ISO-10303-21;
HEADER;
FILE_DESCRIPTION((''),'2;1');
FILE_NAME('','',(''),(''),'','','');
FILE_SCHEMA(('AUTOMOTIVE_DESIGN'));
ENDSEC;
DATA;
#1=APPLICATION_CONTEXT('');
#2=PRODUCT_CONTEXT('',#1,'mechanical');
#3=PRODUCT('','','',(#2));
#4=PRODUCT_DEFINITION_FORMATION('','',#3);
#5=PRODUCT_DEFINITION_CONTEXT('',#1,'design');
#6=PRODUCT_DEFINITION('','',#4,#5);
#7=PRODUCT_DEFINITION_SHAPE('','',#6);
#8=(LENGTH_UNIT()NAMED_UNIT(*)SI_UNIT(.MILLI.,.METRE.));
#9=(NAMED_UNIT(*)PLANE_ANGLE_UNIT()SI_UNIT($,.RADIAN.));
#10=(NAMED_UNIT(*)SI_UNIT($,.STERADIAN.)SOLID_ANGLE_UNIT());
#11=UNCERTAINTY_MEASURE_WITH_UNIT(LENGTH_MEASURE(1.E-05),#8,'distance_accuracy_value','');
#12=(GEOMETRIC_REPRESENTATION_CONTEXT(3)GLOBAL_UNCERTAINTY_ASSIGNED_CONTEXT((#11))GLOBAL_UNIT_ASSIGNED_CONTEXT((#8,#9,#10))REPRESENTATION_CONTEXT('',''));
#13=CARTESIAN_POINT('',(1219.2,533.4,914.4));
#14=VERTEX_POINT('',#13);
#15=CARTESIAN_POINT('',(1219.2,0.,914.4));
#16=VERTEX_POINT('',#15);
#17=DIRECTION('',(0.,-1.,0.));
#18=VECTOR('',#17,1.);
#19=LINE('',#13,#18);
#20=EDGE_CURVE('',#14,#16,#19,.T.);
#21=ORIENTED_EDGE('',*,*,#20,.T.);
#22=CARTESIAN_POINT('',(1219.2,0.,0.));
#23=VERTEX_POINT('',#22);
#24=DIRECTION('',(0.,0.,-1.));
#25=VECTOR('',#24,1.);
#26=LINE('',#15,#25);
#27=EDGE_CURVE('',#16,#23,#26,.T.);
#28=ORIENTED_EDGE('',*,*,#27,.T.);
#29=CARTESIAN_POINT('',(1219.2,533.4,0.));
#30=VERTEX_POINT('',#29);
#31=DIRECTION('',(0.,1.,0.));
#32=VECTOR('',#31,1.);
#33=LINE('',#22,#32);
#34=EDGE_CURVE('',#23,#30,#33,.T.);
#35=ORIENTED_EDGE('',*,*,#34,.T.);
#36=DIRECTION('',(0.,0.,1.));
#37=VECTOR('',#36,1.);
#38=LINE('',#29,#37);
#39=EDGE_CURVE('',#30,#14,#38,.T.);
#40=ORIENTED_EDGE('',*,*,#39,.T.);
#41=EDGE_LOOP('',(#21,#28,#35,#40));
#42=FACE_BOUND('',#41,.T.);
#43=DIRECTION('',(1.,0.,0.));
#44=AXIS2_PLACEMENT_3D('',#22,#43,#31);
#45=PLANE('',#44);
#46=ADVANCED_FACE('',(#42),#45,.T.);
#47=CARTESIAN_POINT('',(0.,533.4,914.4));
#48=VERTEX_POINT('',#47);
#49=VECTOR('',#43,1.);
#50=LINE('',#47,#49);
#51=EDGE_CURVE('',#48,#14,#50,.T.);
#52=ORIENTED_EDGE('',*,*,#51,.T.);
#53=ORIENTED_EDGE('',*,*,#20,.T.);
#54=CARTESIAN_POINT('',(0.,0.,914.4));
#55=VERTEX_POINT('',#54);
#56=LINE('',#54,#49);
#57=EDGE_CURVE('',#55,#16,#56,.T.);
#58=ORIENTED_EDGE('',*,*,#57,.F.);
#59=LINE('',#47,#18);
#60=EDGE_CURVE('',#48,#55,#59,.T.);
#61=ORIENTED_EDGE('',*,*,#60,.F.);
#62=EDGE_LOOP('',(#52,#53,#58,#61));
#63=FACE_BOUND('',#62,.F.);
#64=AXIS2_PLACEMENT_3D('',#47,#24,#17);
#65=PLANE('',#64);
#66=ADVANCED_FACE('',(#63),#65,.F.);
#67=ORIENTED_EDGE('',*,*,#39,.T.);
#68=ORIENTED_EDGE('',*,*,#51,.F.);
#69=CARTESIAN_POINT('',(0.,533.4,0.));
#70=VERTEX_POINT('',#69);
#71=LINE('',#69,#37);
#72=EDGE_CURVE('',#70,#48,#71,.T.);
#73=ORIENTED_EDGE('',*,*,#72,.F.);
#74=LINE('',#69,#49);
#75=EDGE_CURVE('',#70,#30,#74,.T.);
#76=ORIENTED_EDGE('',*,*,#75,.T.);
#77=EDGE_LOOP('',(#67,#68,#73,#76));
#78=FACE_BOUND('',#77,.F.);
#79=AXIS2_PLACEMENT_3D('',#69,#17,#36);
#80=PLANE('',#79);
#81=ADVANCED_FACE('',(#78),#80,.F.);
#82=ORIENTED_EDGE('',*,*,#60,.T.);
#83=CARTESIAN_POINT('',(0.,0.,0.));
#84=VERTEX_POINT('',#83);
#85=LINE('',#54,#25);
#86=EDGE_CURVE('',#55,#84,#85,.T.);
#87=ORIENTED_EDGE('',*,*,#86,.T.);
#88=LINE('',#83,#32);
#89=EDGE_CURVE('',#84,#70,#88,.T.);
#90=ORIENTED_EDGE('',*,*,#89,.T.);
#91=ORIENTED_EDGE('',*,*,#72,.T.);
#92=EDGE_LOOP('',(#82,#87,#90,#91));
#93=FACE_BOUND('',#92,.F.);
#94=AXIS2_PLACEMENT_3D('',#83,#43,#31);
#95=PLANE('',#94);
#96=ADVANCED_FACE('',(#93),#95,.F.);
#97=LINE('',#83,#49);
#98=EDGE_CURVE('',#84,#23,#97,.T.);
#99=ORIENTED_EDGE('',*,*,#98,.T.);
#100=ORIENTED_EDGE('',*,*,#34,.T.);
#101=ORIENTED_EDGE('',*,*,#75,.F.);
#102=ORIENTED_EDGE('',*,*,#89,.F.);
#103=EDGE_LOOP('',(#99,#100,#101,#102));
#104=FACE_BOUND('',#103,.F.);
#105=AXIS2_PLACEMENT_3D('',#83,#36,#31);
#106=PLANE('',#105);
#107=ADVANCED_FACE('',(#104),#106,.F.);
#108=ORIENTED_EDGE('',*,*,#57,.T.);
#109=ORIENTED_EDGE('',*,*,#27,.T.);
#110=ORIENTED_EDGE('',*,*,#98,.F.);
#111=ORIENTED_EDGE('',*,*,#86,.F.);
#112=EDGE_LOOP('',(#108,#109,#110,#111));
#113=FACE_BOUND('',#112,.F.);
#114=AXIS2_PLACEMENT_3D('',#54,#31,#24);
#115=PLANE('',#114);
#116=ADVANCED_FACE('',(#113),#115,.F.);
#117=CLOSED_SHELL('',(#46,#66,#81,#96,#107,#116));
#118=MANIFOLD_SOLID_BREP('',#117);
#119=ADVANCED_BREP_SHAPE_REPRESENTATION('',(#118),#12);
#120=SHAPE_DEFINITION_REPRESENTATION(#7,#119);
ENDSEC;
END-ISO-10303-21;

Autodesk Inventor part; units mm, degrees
ref_plane "YZ Plane" through (0, 0, 0) normal (1, 0, 0) x (0, 1, 0)
ref_plane "XZ Plane" through (0, 0, 0) normal (0, 1, 0) x (-1, 0, 0)
ref_plane "XY Plane" through (0, 0, 0) normal (0, 0, 1) x (1, 0, 0)
sketch "Sketch1" plane through (0, 0, 0) normal (1, 0, 0) x (0, 1, 0)
  line L0 (0, 0) -> (533.4, 0)
  line L1 (533.4, 0) -> (533.4, 914.4)
  line L2 (533.4, 914.4) -> (0, 914.4)
  line L3 (0, 914.4) -> (0, 0)
  dimension "d0" = 533.4
  dimension "d1" = 914.4
extrude "Extrusion1" add sketch "Sketch1" along normal blind 1219.2
properties part number "3-5'x18-24x2-5' - 2" material "Granite, Cut, Polished"
